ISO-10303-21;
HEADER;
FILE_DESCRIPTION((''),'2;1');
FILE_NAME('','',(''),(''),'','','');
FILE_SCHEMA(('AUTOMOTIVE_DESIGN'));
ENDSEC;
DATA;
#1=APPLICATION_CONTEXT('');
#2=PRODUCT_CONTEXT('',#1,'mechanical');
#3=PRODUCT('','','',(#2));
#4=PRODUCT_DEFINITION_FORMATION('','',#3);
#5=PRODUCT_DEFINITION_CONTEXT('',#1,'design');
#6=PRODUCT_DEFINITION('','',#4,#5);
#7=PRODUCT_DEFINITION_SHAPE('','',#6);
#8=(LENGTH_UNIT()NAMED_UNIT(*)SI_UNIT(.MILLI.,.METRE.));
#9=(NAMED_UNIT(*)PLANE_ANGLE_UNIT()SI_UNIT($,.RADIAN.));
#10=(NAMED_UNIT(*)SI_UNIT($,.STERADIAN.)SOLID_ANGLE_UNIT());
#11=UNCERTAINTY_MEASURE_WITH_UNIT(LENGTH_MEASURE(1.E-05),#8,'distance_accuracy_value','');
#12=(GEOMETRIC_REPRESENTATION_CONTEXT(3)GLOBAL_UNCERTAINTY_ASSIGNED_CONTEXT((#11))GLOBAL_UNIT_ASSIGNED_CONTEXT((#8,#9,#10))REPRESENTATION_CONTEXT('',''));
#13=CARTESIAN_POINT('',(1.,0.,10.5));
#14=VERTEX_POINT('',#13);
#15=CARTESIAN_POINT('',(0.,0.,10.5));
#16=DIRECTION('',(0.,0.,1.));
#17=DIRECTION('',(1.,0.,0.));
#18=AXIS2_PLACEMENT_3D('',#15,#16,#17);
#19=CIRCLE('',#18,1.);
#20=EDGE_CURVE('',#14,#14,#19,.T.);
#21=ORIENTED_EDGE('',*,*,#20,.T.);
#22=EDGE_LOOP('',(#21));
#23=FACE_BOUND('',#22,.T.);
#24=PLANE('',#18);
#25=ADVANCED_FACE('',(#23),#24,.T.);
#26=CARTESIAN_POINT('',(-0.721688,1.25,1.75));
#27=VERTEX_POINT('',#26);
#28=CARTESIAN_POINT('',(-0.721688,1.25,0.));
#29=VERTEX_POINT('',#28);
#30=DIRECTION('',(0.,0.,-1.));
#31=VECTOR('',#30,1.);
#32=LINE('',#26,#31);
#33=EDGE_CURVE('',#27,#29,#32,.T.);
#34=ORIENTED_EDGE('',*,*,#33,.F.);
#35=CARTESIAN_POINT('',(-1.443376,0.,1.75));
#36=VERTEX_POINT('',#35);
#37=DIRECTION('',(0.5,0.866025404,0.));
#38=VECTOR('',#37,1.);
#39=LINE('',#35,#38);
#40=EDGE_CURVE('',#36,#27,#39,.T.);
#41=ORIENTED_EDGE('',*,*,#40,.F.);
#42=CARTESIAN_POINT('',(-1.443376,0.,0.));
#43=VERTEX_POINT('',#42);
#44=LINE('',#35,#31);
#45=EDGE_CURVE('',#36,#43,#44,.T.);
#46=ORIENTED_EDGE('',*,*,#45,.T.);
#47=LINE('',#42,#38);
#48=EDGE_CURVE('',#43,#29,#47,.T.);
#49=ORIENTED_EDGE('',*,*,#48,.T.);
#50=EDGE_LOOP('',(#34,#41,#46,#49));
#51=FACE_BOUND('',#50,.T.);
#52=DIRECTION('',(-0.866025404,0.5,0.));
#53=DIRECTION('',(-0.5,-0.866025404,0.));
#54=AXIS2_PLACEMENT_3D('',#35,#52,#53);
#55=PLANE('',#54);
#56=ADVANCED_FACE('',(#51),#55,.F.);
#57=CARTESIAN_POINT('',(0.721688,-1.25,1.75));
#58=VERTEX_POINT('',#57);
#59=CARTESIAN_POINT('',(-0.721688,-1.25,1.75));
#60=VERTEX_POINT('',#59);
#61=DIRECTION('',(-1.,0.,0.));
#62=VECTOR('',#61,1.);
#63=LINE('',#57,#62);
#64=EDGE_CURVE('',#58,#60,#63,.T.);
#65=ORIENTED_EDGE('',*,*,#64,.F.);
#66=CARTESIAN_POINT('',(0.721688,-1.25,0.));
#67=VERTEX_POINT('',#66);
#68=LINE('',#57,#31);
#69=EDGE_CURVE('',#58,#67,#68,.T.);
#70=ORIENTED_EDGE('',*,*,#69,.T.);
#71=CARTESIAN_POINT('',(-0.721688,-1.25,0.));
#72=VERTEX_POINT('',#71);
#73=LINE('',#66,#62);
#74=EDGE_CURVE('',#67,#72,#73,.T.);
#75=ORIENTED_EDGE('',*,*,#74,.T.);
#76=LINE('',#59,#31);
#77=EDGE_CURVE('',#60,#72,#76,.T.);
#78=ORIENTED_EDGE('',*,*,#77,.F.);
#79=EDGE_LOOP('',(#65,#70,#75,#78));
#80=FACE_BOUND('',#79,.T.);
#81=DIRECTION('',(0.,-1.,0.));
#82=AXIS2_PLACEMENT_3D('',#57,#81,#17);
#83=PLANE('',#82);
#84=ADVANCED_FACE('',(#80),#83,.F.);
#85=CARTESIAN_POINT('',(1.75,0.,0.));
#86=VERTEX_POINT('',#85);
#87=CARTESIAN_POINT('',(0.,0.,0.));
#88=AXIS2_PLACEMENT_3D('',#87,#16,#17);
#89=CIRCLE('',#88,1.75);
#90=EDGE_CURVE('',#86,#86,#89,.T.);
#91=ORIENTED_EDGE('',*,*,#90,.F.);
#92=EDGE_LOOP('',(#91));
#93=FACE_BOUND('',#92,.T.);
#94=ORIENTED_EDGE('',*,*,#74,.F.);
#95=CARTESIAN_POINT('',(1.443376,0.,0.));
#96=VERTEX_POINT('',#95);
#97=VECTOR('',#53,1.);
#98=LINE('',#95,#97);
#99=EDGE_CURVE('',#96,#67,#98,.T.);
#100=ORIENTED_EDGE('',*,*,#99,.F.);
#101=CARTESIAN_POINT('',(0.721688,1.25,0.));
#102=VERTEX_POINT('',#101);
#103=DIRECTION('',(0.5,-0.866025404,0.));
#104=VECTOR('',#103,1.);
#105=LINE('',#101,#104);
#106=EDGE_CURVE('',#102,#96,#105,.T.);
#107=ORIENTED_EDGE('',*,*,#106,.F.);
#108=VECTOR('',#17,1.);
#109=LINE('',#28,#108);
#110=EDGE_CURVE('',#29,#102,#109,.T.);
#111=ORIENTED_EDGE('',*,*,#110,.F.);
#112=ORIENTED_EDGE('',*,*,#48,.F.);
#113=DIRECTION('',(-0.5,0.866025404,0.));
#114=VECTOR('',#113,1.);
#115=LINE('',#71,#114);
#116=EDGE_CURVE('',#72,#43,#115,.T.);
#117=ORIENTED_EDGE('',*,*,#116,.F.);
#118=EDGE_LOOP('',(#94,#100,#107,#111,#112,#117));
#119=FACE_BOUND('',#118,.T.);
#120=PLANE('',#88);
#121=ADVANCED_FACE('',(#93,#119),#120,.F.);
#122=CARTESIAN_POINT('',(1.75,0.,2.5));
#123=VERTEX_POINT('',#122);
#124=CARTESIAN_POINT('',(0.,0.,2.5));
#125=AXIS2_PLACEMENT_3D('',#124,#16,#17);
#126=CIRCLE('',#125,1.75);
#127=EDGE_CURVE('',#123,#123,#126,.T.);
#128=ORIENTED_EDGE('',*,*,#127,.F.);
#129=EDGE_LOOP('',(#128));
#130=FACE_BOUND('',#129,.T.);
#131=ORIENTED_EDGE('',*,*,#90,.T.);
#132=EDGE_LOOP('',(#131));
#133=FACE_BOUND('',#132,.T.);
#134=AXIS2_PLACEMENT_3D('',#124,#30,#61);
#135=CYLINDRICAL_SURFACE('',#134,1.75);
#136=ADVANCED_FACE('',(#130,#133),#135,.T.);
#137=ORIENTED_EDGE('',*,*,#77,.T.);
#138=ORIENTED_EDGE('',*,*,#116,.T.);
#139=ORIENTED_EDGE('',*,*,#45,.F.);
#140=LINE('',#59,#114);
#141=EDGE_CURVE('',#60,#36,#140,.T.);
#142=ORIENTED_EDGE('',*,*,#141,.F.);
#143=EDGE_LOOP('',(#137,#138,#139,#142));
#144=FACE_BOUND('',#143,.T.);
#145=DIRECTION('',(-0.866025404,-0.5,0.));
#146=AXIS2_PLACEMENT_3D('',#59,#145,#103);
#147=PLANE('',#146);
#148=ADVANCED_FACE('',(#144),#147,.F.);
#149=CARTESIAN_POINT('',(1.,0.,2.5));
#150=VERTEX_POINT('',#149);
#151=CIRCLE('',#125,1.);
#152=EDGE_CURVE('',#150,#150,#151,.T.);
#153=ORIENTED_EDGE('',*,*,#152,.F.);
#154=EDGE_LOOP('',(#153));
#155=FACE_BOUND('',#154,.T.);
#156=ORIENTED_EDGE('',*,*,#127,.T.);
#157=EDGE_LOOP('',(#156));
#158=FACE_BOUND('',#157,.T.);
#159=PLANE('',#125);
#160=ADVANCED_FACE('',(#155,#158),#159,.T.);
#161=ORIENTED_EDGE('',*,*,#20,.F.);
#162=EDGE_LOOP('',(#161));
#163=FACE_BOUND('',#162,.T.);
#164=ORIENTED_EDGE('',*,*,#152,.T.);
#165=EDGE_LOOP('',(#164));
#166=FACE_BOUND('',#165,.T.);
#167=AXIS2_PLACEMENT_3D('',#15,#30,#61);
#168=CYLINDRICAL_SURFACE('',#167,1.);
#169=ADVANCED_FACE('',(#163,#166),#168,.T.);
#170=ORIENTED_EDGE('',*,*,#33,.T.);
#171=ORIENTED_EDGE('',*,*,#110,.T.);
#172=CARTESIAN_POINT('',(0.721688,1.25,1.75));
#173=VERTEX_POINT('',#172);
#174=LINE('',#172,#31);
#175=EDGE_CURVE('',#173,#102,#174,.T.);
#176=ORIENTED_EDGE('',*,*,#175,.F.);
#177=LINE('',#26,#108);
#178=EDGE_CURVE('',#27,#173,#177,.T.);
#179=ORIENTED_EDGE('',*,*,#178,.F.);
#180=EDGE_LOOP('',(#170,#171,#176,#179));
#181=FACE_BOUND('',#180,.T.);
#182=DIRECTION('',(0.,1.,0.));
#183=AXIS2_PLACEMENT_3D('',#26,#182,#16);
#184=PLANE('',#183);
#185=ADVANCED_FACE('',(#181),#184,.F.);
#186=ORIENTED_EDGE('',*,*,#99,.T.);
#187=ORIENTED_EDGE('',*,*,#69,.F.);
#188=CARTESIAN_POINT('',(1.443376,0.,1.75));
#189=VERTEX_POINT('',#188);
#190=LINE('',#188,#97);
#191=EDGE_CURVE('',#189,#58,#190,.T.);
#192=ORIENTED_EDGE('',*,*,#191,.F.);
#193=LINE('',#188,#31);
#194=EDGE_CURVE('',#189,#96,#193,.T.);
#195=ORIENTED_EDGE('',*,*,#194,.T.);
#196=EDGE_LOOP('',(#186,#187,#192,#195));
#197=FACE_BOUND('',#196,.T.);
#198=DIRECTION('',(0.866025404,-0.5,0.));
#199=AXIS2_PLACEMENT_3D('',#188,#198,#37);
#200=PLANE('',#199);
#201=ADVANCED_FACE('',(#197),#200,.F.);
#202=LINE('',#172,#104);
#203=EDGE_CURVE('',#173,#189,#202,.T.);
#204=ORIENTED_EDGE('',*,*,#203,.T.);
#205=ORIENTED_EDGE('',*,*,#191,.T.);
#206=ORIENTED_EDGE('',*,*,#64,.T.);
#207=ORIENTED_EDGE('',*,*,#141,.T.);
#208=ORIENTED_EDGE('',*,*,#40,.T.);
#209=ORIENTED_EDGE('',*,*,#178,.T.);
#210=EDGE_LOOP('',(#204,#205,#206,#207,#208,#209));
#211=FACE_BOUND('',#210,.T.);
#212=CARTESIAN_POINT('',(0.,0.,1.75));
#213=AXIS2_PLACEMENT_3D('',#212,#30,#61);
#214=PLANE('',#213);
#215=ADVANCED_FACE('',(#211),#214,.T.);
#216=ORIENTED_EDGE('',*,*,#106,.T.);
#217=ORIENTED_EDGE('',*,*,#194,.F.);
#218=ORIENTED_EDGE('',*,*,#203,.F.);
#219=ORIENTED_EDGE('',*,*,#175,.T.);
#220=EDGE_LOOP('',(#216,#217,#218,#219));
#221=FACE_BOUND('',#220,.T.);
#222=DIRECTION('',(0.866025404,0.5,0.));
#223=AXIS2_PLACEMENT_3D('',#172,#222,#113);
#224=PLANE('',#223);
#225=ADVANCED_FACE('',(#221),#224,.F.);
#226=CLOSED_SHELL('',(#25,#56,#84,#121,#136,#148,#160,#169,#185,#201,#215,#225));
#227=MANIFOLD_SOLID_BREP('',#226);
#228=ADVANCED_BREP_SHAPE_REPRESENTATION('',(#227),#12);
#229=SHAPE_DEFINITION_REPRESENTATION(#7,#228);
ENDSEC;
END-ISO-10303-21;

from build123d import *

# Parameters (mm, degrees)
CROQUIS1_R              = 1.75
SALIENTE_EXTRUIR1_DEPTH = 2.5
CROQUIS2_R              = 1
SALIENTE_EXTRUIR2_DEPTH = 8
CORTAR_EXTRUIR1_DEPTH   = 1.75


with BuildPart() as part:
    # Croquis1 → Saliente-Extruir1 (new body)
    with BuildSketch(Plane.XY):
        Circle(CROQUIS1_R)
    extrude(amount=SALIENTE_EXTRUIR1_DEPTH)

    # Croquis2 → Saliente-Extruir2 (add)
    with BuildSketch(Plane.XY.offset(2.5)):
        Circle(CROQUIS2_R)
    extrude(amount=SALIENTE_EXTRUIR2_DEPTH)

    # Croquis3 → Cortar-Extruir1 (cut)
    with BuildSketch(Plane(origin=(0, 0, 0), x_dir=(-1, 0, 0), z_dir=(0, 0, -1))):
        Polygon((1.443375673, 0), (0.721687836, 1.25), (-0.721687836, 1.25), (-1.443375673, 0), (-0.721687836, -1.25), (0.721687836, -1.25), align=None)
    extrude(amount=-CORTAR_EXTRUIR1_DEPTH, mode=Mode.SUBTRACT)


solid = part.part
